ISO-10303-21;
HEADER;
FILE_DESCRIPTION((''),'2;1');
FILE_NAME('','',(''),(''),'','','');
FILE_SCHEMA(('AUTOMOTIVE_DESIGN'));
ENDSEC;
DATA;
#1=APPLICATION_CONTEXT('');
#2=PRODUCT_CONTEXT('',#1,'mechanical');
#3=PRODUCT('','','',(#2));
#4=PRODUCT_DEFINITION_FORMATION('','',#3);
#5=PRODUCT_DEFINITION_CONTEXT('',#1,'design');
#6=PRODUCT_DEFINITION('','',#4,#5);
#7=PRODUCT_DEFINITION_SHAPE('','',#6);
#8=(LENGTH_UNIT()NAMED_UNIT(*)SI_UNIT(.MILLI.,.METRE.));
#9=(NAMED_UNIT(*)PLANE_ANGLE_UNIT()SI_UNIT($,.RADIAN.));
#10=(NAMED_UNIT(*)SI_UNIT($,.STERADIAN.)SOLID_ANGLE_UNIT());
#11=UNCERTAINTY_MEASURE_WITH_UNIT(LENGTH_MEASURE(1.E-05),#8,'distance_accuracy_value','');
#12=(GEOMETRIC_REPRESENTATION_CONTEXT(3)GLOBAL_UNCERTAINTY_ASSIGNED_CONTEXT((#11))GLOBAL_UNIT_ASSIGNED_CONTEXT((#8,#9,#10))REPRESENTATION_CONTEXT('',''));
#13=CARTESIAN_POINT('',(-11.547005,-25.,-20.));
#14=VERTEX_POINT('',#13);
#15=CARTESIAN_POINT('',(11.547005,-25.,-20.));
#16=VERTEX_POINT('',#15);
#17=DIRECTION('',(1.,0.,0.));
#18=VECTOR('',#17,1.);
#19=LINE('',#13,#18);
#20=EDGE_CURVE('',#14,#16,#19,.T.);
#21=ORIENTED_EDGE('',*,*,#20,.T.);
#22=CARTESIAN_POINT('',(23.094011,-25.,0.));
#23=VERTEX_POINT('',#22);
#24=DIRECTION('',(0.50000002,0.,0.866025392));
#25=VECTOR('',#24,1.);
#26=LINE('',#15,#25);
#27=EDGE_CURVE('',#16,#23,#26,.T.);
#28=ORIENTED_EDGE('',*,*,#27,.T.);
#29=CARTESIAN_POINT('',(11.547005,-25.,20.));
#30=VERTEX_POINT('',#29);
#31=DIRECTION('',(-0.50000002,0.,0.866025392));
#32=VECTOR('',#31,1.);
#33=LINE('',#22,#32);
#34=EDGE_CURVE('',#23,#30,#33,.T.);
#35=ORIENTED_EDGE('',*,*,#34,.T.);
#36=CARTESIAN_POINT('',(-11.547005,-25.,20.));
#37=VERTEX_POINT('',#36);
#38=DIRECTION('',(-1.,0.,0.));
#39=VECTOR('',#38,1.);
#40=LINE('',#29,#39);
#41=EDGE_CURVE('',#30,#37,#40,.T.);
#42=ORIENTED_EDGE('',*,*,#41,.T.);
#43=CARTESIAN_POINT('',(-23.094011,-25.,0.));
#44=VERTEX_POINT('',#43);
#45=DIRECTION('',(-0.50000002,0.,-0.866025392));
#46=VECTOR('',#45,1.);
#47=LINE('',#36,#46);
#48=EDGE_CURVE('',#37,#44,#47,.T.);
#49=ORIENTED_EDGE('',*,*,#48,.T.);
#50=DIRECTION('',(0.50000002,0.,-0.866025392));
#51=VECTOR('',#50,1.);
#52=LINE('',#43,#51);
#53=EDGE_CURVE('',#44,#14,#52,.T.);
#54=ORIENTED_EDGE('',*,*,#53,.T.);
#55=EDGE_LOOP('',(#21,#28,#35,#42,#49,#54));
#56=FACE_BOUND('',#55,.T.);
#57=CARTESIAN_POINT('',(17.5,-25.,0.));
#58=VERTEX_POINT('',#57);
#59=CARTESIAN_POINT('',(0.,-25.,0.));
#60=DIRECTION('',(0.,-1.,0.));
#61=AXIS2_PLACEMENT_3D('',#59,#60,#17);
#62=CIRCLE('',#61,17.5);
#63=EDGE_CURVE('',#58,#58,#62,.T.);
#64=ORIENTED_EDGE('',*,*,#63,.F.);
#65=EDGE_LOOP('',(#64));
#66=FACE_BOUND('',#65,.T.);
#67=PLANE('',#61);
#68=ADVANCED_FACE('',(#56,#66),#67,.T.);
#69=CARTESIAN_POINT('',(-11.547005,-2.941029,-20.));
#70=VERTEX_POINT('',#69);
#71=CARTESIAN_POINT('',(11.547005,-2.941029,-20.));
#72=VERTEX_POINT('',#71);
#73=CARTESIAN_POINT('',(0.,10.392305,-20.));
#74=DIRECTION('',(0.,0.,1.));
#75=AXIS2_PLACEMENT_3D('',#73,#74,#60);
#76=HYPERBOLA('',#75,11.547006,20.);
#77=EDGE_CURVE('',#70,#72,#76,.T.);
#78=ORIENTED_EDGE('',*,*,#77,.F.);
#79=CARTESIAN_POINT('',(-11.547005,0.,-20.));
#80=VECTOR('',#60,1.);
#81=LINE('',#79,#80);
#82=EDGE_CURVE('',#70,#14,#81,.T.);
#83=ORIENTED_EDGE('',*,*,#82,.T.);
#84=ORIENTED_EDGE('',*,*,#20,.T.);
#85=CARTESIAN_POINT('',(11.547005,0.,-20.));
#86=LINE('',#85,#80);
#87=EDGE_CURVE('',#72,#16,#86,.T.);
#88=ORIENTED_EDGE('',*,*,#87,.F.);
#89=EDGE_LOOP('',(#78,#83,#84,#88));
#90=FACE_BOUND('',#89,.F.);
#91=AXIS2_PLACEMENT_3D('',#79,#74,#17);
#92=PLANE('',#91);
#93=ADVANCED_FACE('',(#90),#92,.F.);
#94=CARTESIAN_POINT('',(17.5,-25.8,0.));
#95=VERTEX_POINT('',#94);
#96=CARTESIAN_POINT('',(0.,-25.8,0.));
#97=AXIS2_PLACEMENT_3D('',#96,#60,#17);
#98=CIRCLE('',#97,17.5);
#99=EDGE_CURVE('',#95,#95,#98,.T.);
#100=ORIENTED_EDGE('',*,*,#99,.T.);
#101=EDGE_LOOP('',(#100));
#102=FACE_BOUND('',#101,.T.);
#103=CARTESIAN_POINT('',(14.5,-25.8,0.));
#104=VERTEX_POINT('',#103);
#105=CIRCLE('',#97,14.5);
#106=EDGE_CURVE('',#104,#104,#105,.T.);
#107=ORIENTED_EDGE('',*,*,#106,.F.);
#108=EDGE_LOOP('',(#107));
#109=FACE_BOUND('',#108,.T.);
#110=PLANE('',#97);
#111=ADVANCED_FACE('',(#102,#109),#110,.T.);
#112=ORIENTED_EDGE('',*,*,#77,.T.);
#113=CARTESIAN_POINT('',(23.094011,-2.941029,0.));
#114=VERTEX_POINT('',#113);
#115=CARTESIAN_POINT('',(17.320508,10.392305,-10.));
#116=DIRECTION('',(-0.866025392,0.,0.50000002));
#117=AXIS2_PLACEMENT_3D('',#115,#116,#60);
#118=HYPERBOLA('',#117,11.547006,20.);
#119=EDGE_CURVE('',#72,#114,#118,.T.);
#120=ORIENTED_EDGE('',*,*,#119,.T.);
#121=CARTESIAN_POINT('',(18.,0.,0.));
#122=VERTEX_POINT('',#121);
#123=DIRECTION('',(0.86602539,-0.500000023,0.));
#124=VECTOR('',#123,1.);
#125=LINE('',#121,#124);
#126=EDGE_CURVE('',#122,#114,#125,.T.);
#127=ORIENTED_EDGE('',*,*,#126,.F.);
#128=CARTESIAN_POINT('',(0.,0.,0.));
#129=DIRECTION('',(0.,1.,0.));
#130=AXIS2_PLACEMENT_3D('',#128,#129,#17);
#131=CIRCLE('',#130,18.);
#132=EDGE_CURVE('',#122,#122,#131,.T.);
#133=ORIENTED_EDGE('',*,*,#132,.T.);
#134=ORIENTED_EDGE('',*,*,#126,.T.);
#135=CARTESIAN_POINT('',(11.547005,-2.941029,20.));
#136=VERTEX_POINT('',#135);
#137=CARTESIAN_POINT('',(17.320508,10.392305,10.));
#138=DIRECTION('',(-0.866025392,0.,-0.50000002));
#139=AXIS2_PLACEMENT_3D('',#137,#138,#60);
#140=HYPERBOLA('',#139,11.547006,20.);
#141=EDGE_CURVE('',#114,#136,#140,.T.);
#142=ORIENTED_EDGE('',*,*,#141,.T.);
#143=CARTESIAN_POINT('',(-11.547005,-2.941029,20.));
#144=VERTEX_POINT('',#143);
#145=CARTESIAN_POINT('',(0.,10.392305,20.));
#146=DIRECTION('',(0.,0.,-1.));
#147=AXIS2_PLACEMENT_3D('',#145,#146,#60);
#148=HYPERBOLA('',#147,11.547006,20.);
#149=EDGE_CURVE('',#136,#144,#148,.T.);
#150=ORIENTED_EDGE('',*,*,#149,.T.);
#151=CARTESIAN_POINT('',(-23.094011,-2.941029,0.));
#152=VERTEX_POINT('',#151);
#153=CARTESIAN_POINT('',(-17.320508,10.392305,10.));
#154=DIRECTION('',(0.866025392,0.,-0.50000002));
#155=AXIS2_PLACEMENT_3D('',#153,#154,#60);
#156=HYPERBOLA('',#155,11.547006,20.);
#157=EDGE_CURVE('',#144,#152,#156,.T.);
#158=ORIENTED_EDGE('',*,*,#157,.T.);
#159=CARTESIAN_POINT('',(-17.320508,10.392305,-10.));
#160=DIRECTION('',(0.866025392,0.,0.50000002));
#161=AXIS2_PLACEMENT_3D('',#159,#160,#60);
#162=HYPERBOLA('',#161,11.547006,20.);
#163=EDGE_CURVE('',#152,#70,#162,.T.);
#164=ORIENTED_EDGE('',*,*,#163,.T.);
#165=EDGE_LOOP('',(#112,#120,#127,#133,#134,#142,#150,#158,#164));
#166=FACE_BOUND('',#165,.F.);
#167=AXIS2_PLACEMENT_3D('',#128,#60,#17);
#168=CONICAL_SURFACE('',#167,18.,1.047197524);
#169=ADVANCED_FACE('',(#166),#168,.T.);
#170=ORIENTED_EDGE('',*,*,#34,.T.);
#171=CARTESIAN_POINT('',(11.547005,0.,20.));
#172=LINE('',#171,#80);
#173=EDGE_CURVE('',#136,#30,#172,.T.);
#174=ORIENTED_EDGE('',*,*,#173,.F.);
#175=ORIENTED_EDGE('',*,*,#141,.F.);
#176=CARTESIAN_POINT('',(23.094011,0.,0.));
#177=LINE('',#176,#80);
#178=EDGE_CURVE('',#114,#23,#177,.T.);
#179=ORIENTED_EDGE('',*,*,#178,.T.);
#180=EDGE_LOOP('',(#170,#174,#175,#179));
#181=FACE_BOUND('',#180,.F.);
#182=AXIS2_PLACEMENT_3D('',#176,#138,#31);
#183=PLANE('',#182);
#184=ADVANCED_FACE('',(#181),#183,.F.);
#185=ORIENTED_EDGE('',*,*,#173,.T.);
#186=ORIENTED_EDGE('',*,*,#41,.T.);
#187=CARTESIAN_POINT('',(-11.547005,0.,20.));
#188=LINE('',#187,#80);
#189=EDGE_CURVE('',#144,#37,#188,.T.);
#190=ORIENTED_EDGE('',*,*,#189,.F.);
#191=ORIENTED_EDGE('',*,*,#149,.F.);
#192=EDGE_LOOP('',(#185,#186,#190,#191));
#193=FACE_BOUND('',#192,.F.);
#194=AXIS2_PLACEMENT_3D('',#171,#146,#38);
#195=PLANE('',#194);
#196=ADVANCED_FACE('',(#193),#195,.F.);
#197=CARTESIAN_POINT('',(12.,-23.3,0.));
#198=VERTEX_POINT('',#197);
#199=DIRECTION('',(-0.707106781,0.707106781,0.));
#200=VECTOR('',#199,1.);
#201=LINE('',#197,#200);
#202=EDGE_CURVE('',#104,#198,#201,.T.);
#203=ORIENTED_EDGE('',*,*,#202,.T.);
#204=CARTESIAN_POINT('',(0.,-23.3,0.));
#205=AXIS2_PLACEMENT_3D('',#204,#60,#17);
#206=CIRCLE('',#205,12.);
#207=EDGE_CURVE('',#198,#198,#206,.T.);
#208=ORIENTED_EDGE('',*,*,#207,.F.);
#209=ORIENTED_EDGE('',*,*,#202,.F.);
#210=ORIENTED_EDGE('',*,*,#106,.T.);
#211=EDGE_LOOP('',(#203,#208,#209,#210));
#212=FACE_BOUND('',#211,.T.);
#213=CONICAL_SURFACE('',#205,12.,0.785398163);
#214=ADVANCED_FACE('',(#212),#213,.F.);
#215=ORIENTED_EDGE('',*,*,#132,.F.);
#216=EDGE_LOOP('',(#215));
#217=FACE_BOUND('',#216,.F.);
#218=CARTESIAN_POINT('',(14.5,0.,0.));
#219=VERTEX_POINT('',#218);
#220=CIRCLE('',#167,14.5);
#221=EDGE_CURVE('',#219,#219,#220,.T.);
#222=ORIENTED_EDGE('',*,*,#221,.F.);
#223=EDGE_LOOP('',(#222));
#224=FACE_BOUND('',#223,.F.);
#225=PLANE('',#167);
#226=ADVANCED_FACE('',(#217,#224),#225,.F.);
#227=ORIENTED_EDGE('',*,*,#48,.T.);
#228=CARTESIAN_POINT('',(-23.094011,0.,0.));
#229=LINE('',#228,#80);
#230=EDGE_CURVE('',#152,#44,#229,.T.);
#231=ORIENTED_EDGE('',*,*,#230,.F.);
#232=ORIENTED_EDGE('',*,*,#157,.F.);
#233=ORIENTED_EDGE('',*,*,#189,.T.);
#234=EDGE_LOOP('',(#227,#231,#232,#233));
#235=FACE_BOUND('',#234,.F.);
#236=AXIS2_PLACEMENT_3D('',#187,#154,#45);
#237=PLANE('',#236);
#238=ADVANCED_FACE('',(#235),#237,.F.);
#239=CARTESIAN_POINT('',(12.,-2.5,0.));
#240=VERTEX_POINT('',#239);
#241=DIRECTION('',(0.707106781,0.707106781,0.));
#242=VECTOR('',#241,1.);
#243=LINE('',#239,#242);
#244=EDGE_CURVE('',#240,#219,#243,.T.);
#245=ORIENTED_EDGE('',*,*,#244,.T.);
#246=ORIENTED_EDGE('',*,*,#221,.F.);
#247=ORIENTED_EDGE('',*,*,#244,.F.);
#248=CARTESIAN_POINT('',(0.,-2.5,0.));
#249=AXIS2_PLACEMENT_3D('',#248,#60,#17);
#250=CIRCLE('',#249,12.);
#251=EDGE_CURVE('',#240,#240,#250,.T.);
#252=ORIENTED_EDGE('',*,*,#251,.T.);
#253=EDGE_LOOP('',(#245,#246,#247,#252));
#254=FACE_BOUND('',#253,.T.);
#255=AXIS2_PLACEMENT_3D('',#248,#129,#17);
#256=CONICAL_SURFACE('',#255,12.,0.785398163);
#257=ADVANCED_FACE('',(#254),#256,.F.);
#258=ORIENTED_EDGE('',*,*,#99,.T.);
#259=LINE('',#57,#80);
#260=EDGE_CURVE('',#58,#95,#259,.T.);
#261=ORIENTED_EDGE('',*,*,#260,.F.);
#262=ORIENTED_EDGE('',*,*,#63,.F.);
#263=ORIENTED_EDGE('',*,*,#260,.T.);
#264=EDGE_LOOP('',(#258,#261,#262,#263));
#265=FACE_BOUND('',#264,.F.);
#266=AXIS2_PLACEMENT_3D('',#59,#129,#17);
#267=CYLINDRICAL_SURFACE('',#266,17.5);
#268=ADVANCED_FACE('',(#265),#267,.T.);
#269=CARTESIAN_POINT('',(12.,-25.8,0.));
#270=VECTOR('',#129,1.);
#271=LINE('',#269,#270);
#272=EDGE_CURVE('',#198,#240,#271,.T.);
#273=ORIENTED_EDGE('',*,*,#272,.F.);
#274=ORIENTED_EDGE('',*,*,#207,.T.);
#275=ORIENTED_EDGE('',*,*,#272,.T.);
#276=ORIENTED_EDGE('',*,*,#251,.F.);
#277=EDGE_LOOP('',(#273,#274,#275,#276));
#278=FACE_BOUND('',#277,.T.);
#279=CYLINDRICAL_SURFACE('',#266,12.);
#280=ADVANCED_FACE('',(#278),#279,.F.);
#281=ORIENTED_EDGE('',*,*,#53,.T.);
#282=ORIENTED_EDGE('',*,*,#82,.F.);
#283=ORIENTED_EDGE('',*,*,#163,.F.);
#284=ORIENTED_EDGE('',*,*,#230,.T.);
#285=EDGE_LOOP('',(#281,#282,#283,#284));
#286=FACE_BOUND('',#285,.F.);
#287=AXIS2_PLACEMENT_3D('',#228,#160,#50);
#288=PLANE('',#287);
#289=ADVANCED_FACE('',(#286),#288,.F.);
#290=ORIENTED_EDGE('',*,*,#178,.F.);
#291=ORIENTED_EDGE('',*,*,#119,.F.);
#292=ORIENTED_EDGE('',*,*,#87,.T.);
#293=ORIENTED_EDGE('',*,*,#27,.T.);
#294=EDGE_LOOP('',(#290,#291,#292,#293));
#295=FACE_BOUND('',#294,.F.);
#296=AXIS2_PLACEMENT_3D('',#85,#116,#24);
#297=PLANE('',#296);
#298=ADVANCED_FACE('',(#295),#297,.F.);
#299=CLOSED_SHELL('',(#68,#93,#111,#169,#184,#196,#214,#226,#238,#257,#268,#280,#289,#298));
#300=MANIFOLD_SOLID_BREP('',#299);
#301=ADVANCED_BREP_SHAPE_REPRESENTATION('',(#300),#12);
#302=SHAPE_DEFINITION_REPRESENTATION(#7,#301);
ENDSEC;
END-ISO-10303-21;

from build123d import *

# Parameters (mm, degrees)
F0_R     = 12
F1_DEPTH = 25
F4_R     = 17.5
F4_R_2   = 12
F5_DEPTH = 0.8
F6_SIZE  = 2.5


with BuildPart() as f1:
    # F0 (on Front) → F1 (new body)
    with BuildSketch(Plane.XZ):
        Polygon((11.547005, -20), (23.094011, 0), (11.547005, 20), (-11.547005, 20), (-23.094011, 0), (-11.547005, -20), align=None)
        Circle(F0_R, mode=Mode.SUBTRACT)
    extrude(amount=F1_DEPTH)

    # F2 (on Top) → F3 (revolve, cut)
    with BuildSketch(Plane.XY):
        Polygon((31.622065, 2.590499), (18, 0), (34.060234, -9.272381), align=None)
    revolve(axis=Axis((0, -9.323449, 0), (0, 1, 0)), mode=Mode.SUBTRACT)

    # F4 (on face) → F5 (join)
    with BuildSketch(Plane.XZ.offset(25)):
        Circle(F4_R)
        Circle(F4_R_2, mode=Mode.SUBTRACT)
    extrude(amount=F5_DEPTH)

    # F6
    f6_edges = [f1.edges().sort_by_distance(p)[0] for p in [
        (-12, -25.8, 0),
        (-12, 0, 0),
    ]]
    chamfer(f6_edges, length=F6_SIZE)


solid = f1.part
